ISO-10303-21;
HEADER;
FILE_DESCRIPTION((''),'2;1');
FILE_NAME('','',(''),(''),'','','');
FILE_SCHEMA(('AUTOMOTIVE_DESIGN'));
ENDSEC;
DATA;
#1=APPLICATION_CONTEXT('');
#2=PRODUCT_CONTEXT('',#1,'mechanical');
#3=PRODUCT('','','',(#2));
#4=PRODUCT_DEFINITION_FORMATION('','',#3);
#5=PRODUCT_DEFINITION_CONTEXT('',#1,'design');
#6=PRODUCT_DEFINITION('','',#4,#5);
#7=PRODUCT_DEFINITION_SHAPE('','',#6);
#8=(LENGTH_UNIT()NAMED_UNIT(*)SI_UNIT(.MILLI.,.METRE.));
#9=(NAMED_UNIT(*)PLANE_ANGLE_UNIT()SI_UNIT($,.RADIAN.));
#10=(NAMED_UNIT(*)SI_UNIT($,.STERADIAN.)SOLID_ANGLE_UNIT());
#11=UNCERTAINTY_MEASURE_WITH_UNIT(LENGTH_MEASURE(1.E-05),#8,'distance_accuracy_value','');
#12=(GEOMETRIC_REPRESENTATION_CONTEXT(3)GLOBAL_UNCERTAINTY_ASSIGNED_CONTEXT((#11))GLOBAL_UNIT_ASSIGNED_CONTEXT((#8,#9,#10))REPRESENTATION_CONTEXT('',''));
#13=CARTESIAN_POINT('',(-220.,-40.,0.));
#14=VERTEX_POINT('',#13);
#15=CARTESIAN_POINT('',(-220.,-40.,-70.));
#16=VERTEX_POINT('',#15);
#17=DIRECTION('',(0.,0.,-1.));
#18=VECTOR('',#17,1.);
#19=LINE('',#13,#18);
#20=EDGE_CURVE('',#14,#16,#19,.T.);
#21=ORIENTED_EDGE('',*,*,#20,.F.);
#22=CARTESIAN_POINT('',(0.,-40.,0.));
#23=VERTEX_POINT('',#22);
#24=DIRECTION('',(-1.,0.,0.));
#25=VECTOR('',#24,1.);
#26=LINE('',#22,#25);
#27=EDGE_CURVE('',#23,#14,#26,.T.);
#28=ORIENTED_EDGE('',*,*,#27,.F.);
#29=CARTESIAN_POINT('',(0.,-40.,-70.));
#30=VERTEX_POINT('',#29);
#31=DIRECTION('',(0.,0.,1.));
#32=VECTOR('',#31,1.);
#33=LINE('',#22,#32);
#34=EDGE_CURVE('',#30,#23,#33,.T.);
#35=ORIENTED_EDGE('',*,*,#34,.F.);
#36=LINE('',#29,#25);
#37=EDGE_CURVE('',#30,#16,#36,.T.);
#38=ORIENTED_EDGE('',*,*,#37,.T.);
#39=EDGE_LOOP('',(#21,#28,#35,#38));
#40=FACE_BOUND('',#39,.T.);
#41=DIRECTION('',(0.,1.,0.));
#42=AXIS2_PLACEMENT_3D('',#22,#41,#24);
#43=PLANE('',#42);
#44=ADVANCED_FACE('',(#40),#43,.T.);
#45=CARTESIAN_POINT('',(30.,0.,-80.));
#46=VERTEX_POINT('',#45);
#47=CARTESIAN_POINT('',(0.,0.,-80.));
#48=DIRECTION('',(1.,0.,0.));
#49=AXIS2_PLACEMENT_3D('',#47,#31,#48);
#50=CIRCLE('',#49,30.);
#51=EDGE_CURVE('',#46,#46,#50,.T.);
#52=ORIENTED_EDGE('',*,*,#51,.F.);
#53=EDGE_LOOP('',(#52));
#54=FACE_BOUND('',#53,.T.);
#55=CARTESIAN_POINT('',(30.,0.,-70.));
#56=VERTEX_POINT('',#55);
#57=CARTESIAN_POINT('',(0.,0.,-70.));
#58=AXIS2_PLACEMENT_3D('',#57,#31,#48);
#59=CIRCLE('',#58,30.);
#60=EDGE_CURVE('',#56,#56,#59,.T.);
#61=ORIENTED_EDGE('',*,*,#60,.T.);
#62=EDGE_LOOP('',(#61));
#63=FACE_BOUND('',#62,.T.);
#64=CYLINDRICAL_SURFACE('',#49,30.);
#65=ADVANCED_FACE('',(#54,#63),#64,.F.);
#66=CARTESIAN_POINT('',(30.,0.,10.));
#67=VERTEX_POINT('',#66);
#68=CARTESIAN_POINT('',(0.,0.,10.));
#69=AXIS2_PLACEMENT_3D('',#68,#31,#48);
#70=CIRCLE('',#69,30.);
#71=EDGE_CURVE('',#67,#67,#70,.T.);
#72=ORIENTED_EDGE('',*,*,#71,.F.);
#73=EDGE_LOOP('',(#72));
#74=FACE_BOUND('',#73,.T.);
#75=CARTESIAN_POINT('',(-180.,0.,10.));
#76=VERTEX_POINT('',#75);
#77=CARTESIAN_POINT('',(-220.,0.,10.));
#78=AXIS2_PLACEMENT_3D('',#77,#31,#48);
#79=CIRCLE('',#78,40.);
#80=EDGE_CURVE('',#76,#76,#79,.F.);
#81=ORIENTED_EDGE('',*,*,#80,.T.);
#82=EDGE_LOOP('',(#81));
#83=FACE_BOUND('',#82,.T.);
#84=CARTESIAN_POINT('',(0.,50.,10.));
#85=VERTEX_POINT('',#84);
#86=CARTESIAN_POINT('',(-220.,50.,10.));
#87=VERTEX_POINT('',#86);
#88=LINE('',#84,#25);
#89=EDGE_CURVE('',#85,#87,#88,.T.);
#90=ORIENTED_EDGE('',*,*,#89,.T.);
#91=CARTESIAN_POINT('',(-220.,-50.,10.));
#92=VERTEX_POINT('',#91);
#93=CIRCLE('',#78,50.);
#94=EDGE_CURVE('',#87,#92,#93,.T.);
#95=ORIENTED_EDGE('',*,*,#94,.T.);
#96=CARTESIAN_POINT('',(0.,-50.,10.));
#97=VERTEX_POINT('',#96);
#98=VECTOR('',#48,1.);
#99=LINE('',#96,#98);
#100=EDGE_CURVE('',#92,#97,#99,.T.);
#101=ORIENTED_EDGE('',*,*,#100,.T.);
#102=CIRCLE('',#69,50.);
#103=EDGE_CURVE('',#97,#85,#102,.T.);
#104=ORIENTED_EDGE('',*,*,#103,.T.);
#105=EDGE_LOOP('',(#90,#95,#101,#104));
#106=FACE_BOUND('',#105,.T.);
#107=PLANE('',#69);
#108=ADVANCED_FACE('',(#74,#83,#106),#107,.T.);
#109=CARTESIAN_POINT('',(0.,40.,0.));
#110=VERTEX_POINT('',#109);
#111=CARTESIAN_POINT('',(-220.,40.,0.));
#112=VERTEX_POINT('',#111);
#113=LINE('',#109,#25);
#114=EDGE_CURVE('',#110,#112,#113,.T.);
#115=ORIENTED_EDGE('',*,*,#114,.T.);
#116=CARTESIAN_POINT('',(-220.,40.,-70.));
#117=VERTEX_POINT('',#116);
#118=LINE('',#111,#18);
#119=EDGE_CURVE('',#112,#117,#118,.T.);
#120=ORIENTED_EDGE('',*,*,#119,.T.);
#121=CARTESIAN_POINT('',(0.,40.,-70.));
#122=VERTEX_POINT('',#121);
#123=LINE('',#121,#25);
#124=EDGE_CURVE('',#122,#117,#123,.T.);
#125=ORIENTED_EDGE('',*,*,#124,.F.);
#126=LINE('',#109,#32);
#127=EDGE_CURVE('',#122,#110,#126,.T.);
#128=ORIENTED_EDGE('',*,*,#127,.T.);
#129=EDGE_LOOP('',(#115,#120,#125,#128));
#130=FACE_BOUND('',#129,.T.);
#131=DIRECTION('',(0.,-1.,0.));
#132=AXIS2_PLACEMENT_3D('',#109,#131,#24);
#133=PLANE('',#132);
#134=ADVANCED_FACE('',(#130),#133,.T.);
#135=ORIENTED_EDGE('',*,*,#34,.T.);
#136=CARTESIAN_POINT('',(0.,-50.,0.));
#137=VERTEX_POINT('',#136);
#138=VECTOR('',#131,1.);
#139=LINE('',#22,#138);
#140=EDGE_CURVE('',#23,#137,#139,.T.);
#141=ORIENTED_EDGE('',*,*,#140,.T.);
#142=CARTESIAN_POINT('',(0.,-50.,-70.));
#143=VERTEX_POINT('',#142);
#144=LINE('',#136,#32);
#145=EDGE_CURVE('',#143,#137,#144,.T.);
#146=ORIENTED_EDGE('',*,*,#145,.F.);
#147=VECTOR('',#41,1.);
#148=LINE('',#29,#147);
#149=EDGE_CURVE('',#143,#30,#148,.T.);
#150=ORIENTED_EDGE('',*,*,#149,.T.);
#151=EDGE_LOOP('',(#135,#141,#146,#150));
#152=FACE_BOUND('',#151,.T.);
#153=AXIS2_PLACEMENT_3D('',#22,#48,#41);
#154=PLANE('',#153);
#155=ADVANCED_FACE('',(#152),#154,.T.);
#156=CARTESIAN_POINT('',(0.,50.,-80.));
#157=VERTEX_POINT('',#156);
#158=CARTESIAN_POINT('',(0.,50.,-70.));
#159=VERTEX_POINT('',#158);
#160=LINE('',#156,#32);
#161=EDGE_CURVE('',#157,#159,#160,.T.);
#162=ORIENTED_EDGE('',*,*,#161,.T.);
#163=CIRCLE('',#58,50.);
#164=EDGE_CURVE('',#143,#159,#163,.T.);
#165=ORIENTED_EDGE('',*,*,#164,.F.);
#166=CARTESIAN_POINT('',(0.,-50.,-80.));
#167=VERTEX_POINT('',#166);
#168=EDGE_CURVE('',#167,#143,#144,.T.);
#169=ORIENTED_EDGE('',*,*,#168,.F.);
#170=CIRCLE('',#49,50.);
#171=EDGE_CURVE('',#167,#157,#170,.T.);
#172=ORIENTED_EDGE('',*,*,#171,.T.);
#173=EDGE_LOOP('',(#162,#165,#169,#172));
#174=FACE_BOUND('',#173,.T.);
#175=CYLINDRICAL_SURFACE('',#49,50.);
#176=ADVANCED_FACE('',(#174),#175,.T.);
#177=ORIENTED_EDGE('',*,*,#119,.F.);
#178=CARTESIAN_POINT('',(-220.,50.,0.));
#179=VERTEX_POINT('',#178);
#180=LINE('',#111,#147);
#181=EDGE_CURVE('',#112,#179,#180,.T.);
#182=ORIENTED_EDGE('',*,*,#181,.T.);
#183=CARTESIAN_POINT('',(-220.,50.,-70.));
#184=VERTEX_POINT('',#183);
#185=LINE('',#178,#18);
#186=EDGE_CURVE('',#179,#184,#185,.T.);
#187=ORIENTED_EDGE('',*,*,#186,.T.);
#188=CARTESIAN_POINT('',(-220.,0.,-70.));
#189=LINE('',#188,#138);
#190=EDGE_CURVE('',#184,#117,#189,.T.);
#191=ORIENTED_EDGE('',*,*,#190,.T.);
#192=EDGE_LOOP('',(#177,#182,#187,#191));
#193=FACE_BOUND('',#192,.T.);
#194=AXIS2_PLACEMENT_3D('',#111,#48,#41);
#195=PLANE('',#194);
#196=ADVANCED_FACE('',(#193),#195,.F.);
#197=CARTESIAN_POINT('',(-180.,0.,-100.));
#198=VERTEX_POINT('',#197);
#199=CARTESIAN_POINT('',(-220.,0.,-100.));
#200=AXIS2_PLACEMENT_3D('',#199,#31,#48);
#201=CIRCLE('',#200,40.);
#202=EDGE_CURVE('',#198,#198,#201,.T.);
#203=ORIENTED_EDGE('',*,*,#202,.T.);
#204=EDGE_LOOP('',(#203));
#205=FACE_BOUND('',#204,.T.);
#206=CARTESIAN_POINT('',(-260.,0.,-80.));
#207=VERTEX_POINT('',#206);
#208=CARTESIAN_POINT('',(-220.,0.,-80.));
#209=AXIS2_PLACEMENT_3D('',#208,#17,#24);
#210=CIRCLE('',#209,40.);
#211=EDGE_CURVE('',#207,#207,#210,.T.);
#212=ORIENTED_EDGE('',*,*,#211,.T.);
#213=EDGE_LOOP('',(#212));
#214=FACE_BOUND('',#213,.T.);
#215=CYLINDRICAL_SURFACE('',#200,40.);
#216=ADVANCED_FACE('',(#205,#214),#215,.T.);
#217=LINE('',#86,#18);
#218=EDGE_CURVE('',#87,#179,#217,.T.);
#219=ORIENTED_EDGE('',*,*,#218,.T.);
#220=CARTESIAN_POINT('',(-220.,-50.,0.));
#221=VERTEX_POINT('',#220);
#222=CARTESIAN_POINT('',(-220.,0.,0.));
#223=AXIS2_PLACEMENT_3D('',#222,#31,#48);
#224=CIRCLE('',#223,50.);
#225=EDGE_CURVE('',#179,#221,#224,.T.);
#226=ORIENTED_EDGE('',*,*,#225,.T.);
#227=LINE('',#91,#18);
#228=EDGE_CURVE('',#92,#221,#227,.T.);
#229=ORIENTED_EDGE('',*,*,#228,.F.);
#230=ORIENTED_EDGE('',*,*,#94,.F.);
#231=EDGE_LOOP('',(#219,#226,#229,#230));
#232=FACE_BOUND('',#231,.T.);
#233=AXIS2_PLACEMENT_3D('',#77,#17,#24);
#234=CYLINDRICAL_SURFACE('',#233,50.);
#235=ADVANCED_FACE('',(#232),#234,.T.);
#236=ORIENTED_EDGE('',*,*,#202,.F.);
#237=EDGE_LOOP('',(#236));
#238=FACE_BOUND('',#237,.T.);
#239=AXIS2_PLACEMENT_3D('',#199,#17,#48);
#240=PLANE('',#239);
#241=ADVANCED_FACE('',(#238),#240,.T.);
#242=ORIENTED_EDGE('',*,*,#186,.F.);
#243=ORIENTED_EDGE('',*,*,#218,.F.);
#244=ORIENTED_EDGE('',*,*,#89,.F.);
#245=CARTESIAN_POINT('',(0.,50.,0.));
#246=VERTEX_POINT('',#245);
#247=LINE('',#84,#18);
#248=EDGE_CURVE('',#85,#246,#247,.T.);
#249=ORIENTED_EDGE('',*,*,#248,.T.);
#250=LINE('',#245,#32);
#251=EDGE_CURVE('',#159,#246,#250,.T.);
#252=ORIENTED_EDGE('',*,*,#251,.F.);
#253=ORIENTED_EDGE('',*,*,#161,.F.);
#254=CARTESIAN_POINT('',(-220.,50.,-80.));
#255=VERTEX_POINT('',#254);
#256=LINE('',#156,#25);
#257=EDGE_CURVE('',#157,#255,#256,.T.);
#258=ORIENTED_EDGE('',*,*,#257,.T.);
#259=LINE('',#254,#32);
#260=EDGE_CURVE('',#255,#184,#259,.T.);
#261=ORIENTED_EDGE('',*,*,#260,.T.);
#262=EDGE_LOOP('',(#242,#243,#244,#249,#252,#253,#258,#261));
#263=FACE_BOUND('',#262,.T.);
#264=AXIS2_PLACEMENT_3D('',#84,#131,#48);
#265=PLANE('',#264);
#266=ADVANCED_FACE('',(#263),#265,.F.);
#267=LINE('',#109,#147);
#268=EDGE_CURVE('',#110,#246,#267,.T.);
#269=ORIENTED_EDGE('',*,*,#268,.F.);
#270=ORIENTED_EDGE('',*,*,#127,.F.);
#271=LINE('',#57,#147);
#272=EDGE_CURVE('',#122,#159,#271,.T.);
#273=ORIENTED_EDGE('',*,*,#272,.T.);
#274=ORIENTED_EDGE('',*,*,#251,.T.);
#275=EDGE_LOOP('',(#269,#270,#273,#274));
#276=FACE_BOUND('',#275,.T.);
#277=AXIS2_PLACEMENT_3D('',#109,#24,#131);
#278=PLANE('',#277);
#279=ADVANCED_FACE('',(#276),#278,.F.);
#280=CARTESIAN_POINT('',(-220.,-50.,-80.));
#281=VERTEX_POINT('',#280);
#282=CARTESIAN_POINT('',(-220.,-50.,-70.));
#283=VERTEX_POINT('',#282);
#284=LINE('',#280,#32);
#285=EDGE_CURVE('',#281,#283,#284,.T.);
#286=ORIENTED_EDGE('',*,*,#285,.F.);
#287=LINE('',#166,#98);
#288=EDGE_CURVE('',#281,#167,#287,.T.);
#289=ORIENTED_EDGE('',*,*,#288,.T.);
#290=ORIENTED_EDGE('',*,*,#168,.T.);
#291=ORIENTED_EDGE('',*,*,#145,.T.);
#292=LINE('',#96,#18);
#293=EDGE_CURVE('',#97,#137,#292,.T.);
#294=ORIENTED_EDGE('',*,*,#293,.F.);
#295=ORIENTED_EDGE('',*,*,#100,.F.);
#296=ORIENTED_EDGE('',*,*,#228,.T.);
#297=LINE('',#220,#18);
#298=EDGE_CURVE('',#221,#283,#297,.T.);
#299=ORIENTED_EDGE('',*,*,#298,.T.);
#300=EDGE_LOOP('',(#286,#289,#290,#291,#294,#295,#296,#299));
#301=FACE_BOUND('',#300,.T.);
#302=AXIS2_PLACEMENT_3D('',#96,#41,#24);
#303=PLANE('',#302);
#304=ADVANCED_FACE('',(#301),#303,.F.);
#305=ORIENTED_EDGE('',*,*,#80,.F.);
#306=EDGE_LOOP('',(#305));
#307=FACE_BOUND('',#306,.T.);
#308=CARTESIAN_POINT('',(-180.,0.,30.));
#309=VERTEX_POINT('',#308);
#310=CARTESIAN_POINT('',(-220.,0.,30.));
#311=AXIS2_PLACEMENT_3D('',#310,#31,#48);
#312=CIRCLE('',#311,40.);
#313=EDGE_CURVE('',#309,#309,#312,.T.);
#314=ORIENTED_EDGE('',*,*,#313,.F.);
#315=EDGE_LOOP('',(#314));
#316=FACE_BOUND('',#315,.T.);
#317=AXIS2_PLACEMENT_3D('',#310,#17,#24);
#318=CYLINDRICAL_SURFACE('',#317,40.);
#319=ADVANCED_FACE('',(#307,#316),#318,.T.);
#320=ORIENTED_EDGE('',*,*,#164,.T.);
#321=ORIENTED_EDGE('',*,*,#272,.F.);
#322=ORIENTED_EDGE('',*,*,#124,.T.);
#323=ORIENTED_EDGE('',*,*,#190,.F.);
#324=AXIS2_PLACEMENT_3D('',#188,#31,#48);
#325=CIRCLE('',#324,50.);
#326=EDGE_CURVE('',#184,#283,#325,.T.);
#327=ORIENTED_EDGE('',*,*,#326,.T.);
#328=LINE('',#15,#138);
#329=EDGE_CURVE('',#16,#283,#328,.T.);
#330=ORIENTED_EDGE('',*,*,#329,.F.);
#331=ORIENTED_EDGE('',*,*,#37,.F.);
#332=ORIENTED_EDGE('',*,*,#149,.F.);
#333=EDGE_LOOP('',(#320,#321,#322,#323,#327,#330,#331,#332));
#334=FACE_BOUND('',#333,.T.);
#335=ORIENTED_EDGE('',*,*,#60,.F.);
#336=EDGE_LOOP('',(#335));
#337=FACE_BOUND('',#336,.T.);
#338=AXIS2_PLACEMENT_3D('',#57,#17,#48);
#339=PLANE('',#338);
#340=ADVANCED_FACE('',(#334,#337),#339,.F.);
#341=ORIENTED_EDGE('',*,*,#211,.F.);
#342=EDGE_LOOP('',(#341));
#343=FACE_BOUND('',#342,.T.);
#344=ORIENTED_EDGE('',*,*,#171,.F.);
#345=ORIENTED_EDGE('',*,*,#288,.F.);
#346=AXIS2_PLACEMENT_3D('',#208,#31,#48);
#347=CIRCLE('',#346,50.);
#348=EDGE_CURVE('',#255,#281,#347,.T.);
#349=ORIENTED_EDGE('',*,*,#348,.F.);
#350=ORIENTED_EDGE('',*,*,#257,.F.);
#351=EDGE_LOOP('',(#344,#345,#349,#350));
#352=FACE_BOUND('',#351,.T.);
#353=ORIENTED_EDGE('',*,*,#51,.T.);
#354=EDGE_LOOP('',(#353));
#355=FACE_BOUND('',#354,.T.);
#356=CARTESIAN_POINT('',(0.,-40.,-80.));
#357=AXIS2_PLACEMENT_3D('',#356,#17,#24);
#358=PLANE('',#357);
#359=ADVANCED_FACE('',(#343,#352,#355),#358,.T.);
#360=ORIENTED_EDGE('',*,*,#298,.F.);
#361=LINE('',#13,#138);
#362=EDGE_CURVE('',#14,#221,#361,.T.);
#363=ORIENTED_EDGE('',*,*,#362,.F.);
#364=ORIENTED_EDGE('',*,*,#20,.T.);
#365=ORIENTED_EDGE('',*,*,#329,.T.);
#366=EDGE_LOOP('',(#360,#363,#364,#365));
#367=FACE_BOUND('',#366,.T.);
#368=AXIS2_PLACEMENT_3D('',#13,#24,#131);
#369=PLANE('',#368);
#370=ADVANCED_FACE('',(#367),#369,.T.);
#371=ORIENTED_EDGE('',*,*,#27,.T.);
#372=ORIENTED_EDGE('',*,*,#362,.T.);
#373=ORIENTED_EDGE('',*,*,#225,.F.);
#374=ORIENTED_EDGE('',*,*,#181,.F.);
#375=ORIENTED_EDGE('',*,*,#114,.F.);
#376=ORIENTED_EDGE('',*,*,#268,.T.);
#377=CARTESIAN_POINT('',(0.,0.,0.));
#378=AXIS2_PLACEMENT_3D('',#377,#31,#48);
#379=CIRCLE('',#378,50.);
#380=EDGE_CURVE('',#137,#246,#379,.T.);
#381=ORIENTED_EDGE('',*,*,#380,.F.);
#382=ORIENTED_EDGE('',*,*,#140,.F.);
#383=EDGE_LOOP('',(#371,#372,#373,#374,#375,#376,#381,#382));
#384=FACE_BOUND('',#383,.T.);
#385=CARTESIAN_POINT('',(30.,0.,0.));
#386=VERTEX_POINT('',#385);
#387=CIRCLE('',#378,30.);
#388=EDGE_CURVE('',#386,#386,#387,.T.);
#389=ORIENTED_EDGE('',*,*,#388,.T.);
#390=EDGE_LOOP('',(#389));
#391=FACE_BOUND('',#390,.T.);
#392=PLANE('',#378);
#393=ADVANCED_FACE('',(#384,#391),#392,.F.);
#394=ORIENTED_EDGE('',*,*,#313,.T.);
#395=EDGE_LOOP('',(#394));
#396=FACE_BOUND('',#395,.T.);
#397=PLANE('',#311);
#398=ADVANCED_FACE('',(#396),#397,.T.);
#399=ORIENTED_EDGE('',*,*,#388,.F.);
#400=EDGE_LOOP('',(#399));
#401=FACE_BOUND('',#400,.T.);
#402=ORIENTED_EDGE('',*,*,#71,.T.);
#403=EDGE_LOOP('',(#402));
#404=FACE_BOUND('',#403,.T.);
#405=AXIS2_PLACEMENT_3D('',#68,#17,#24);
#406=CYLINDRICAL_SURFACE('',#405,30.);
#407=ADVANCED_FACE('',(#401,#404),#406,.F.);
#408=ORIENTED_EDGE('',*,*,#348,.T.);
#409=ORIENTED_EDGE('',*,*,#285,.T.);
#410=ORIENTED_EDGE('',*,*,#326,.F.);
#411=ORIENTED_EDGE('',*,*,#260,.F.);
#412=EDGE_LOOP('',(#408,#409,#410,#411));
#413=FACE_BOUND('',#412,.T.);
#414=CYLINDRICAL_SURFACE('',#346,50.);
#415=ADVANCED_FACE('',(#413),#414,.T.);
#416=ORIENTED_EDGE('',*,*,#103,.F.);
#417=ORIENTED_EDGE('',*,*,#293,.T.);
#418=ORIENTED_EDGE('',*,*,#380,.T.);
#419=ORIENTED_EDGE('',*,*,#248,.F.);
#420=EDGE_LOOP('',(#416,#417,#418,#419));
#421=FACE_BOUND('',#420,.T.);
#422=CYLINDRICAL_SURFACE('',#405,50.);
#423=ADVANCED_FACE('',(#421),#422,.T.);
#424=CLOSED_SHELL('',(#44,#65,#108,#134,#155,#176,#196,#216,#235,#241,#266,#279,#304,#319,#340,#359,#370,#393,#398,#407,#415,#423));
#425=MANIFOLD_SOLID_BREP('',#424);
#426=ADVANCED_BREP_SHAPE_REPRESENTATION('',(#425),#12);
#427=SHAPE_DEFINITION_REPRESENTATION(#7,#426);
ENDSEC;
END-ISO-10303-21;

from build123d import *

# Parameters (mm, degrees)
SKETCH1_R           = 30
BOSS_EXTRUDE2_DEPTH = 10
SKETCH3_W           = 220
SKETCH3_H           = 80
BOSS_EXTRUDE3_DEPTH = 10
SKETCH4_R           = 40
BOSS_EXTRUDE4_DEPTH = 30


with BuildPart() as part:
    # Sketch1 → Boss-Extrude2 (new body)
    with BuildSketch(Plane.XY):
        with BuildLine():
            Line((0, -50), (-220, -50))
            ThreePointArc((-220, -50), (-270, 0), (-220, 50))
            Line((-220, 50), (0, 50))
            ThreePointArc((0, 50), (50, 0), (0, -50))
        make_face()
        Circle(SKETCH1_R, mode=Mode.SUBTRACT)
    boss_extrude2 = extrude(amount=BOSS_EXTRUDE2_DEPTH)

    # Sketch3 → Boss-Extrude3 (add)
    with BuildSketch(Plane.XZ.offset(50)):
        with Locations((-110, -40)):
            Rectangle(SKETCH3_W, SKETCH3_H)
    boss_extrude3 = extrude(amount=-BOSS_EXTRUDE3_DEPTH)

    # Sketch4 → Boss-Extrude4 (add)
    with BuildSketch(Plane.XY):
        with Locations((-220, 0)):
            Circle(SKETCH4_R)
    boss_extrude4 = extrude(amount=BOSS_EXTRUDE4_DEPTH)

    # Mirror1: Boss-Extrude2, Boss-Extrude3, Boss-Extrude4 across plane
    add(boss_extrude2.mirror(Plane(origin=(0, 0, -35), x_dir=(1, 0, 0), z_dir=(0, 0, -1))))
    add(boss_extrude3.mirror(Plane(origin=(0, 0, -35), x_dir=(1, 0, 0), z_dir=(0, 0, -1))))
    add(boss_extrude4.mirror(Plane(origin=(0, 0, -35), x_dir=(1, 0, 0), z_dir=(0, 0, -1))))

    # Mirror2: Boss-Extrude3 across plane
    add(boss_extrude3.mirror(Plane.ZX))


solid = part.part
